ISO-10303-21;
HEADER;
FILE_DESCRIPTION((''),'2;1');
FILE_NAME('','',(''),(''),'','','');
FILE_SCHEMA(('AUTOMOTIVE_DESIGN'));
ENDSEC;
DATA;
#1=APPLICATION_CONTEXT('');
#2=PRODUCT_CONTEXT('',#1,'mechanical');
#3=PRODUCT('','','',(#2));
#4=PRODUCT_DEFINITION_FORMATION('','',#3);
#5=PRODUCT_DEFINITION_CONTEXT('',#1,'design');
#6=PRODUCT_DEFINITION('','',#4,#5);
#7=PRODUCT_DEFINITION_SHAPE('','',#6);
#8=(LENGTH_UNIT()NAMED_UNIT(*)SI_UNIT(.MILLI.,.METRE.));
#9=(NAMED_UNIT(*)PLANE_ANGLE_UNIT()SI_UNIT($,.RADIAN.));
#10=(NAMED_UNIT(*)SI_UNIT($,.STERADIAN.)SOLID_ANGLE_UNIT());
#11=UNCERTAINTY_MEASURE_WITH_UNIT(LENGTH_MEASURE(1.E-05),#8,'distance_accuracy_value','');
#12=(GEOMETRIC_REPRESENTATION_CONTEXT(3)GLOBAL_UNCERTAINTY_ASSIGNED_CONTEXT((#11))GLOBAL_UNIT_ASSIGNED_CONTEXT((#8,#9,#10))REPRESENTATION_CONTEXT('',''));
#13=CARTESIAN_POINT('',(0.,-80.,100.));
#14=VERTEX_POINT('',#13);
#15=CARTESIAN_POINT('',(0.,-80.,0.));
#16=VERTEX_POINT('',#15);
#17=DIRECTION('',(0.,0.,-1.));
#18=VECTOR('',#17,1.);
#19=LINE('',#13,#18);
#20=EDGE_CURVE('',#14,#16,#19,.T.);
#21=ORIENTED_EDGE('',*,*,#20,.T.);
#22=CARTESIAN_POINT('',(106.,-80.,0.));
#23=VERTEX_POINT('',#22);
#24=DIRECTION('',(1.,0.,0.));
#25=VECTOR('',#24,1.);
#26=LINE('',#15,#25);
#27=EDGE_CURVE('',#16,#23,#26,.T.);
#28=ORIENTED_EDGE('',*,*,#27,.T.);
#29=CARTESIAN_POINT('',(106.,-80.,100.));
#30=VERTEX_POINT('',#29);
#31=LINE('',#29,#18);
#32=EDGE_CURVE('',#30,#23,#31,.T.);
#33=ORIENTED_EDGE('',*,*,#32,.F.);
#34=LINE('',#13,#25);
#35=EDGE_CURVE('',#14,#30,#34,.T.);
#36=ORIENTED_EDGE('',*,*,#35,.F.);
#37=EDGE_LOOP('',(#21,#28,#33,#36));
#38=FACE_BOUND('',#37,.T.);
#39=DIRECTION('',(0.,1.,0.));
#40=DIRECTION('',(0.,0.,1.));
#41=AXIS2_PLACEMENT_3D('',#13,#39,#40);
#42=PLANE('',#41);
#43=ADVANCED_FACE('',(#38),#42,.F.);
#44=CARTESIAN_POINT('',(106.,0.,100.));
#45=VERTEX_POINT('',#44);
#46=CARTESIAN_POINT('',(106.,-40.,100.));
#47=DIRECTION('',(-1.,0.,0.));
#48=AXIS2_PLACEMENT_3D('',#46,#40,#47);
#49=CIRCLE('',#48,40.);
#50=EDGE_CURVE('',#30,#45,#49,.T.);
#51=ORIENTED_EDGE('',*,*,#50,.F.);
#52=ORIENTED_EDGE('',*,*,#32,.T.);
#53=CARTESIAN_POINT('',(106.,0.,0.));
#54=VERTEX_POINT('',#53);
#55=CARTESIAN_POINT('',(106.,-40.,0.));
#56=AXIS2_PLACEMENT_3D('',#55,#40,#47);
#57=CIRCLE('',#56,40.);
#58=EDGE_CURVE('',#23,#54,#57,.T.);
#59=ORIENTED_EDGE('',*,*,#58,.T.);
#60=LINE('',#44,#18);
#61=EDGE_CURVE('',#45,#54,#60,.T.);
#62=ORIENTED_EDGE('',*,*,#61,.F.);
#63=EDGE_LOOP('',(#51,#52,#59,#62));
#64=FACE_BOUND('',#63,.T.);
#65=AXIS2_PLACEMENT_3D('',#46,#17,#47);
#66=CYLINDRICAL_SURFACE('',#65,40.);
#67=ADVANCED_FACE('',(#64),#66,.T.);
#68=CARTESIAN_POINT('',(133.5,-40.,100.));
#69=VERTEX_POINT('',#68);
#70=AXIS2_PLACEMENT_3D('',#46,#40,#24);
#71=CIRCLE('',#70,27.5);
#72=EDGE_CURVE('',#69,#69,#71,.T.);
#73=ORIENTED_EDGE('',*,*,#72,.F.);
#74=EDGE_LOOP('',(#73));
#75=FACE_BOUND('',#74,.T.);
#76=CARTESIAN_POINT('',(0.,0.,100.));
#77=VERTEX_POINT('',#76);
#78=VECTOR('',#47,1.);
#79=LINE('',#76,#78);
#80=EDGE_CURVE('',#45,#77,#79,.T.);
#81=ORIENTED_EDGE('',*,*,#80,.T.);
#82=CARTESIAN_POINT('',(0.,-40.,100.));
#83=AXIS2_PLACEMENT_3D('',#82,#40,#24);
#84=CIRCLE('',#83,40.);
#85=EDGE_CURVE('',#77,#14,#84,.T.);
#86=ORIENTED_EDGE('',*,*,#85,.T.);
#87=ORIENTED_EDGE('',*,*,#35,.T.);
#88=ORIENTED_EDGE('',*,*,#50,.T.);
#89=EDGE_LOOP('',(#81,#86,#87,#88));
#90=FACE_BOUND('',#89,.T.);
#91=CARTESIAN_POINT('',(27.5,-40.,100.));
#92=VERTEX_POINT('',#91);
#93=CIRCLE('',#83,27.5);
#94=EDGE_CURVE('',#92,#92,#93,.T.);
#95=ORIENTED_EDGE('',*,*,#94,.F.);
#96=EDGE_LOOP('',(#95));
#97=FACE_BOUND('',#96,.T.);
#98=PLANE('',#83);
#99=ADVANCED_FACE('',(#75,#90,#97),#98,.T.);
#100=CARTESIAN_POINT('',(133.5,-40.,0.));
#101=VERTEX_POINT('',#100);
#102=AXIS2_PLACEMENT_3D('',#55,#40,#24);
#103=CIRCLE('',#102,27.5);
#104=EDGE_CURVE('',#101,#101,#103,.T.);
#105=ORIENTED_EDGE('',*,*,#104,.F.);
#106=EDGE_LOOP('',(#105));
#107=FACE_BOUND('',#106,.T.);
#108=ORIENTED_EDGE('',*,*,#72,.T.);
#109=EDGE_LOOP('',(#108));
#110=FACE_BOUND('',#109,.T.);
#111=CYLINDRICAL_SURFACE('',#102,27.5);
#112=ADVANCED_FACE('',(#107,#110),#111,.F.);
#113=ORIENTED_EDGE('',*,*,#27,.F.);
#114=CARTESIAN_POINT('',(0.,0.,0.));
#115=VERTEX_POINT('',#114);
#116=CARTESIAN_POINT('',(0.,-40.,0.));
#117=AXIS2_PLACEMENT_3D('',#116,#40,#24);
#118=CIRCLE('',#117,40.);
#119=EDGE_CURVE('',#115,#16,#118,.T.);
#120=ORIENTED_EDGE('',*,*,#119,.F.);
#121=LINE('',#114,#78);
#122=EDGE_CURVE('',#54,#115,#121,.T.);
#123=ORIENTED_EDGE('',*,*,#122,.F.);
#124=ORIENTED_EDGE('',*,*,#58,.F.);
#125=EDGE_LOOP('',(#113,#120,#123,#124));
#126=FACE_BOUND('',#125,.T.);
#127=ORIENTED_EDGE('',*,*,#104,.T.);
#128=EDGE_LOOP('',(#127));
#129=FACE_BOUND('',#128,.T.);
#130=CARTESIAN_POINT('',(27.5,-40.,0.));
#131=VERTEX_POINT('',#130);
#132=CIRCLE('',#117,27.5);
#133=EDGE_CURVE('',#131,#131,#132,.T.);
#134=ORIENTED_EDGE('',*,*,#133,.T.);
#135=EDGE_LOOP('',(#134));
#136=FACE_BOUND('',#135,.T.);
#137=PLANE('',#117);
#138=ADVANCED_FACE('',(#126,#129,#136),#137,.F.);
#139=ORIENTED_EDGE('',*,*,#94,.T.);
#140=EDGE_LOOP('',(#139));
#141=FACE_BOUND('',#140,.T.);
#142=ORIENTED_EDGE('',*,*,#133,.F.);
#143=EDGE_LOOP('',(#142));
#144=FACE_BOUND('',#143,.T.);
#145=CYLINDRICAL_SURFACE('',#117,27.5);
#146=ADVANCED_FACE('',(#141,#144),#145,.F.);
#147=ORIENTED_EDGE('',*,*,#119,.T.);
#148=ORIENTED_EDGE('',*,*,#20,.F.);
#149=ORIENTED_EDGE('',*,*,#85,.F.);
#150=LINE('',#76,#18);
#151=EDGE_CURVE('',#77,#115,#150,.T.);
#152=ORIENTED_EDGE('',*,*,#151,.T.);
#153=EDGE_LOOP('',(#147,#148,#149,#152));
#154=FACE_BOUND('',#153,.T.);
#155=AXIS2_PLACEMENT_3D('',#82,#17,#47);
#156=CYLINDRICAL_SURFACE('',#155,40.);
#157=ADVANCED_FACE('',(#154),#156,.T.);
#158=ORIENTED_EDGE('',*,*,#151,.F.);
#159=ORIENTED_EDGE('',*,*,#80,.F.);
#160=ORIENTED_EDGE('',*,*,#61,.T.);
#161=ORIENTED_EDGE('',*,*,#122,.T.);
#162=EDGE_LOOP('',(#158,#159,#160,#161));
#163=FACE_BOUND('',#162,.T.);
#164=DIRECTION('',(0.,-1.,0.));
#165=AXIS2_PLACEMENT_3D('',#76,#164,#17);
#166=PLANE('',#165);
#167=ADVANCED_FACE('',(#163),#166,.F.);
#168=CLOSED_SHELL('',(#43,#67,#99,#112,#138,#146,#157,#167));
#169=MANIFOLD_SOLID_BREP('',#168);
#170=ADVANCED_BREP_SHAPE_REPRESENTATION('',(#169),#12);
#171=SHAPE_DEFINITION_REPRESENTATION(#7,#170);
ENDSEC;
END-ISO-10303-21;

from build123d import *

# Parameters (mm, degrees)
BOSS_EXTRUDE1_DEPTH = 100
SKETCH2_R           = 27.5
CUT_EXTRUDE1_DEPTH  = 195.206076115


with BuildPart() as part:
    # Sketch1 → Boss-Extrude1 (new body)
    with BuildSketch(Plane.XY):
        with BuildLine():
            Line((0, 0), (106, 0))
            ThreePointArc((106, 0), (146, -40), (106, -80))
            Line((106, -80), (0, -80))
            ThreePointArc((0, -80), (-40, -40), (0, 0))
        make_face()
    extrude(amount=BOSS_EXTRUDE1_DEPTH)

    # Sketch2 → Cut-Extrude1 (cut, through all)
    with BuildSketch(Plane.XY.offset(100)):
        with Locations((0, -40)):
            Circle(SKETCH2_R)
        with Locations((106, -40)):
            Circle(SKETCH2_R)
    extrude(amount=-CUT_EXTRUDE1_DEPTH, mode=Mode.SUBTRACT)


solid = part.part
